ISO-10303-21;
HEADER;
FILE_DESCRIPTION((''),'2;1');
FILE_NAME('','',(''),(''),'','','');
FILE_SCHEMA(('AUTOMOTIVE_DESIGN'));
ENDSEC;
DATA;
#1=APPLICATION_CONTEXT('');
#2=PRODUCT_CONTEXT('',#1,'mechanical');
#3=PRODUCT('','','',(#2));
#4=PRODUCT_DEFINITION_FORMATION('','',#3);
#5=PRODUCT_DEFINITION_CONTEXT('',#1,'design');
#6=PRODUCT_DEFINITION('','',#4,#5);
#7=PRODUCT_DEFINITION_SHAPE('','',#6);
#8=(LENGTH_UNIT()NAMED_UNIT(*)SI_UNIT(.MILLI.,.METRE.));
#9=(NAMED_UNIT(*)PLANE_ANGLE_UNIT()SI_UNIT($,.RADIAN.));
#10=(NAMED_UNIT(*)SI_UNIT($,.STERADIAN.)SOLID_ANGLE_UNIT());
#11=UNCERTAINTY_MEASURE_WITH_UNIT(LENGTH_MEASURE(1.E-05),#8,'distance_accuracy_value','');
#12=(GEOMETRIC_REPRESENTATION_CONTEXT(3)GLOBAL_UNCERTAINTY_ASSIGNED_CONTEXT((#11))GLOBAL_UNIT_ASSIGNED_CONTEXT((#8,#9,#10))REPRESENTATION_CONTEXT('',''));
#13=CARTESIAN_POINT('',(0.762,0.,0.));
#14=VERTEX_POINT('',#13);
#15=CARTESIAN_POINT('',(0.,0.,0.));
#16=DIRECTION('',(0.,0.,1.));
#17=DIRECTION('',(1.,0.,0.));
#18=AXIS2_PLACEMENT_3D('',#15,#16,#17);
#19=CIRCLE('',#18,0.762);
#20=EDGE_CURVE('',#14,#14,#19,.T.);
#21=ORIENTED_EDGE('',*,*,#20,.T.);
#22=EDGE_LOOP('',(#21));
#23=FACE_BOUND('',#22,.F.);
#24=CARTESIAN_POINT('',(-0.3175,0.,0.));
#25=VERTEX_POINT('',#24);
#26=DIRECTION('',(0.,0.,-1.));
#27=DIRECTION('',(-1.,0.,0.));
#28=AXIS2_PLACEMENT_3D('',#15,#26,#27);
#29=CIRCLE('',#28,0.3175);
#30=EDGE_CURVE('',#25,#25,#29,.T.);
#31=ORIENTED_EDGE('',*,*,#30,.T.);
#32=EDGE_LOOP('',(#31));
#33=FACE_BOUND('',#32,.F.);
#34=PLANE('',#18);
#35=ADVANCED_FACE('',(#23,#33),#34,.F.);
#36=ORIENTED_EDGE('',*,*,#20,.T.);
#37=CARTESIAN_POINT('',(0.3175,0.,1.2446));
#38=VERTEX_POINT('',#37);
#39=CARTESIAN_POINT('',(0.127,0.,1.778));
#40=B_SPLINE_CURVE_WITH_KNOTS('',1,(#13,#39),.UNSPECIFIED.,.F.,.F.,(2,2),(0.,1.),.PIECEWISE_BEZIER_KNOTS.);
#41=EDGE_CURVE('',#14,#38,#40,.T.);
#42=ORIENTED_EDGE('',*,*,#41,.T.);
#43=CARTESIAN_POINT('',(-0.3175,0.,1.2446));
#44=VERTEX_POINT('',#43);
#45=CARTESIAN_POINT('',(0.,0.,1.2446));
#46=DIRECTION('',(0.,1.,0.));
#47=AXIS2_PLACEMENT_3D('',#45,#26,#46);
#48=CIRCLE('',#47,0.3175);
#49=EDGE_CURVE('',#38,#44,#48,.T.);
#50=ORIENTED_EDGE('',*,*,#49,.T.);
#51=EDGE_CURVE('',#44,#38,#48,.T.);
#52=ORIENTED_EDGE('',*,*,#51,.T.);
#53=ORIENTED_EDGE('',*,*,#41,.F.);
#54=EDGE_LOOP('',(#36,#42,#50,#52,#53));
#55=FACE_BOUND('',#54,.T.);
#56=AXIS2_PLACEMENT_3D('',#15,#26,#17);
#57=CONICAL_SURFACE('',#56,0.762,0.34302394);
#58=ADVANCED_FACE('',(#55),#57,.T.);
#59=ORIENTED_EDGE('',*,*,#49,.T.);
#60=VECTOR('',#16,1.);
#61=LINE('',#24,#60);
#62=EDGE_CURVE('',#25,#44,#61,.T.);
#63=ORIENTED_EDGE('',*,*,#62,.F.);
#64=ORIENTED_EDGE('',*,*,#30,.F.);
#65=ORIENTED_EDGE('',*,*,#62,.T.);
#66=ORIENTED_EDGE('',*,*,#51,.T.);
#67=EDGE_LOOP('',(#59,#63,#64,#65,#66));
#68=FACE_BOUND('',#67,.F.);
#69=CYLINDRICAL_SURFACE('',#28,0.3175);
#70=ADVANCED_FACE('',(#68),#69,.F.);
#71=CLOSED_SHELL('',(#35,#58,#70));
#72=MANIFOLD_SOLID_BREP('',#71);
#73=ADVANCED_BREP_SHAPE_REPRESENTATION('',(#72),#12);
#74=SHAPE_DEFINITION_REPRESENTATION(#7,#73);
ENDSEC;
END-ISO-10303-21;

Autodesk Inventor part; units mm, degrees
ref_plane "YZ Plane" through (0, 0, 0) normal (1, 0, 0) x (0, 1, 0)
ref_plane "XZ Plane" through (0, 0, 0) normal (0, 1, 0) x (-1, 0, 0)
sketch "Sketch1" plane through (0, 0, 0) normal (0, 0, 1) x (1, 0, 0)
  circle A0 centre (0, 0) radius 0.762
  line L0 (-6.3127, 2.7502) -> (-6.3127, -2.8178)
  line L1 (-6.3127, -2.8178) -> (1.3248, -2.8178)
  dimension "d0" = 1.524
ref_plane "Work Plane2" through (-6.3127, -2.8178, 1.778) normal (0, 0, -1) x (1, 0, 0)
ref_plane "Work Plane1" through (-6.3127, -2.8178, 0) normal (0, 0, -1) x (1, 0, 0)
sketch "Sketch2" plane through (-6.3127, -2.8178, 1.778) normal (0, 0, -1) x (1, 0, 0)
  circle A0 centre (6.3127, -2.8178) radius 0.127
  dimension "d3" = 0.254
loft "Loft1" add profiles "Sketch1", "Sketch2"
sketch "Sketch3" plane through (0, 0, 0) normal (0, 0, -1) x (-1, 0, 0)
  circle A0 centre (0, 0) radius 0.762 projected
  circle A1 centre (0, 0) radius 0.3175
  dimension "d9" = 0.635
extrude "Extrusion1" cut sketch "Sketch3" against normal blind 25.4 contours A1
properties part number "Solder Joint" material "Lead"
